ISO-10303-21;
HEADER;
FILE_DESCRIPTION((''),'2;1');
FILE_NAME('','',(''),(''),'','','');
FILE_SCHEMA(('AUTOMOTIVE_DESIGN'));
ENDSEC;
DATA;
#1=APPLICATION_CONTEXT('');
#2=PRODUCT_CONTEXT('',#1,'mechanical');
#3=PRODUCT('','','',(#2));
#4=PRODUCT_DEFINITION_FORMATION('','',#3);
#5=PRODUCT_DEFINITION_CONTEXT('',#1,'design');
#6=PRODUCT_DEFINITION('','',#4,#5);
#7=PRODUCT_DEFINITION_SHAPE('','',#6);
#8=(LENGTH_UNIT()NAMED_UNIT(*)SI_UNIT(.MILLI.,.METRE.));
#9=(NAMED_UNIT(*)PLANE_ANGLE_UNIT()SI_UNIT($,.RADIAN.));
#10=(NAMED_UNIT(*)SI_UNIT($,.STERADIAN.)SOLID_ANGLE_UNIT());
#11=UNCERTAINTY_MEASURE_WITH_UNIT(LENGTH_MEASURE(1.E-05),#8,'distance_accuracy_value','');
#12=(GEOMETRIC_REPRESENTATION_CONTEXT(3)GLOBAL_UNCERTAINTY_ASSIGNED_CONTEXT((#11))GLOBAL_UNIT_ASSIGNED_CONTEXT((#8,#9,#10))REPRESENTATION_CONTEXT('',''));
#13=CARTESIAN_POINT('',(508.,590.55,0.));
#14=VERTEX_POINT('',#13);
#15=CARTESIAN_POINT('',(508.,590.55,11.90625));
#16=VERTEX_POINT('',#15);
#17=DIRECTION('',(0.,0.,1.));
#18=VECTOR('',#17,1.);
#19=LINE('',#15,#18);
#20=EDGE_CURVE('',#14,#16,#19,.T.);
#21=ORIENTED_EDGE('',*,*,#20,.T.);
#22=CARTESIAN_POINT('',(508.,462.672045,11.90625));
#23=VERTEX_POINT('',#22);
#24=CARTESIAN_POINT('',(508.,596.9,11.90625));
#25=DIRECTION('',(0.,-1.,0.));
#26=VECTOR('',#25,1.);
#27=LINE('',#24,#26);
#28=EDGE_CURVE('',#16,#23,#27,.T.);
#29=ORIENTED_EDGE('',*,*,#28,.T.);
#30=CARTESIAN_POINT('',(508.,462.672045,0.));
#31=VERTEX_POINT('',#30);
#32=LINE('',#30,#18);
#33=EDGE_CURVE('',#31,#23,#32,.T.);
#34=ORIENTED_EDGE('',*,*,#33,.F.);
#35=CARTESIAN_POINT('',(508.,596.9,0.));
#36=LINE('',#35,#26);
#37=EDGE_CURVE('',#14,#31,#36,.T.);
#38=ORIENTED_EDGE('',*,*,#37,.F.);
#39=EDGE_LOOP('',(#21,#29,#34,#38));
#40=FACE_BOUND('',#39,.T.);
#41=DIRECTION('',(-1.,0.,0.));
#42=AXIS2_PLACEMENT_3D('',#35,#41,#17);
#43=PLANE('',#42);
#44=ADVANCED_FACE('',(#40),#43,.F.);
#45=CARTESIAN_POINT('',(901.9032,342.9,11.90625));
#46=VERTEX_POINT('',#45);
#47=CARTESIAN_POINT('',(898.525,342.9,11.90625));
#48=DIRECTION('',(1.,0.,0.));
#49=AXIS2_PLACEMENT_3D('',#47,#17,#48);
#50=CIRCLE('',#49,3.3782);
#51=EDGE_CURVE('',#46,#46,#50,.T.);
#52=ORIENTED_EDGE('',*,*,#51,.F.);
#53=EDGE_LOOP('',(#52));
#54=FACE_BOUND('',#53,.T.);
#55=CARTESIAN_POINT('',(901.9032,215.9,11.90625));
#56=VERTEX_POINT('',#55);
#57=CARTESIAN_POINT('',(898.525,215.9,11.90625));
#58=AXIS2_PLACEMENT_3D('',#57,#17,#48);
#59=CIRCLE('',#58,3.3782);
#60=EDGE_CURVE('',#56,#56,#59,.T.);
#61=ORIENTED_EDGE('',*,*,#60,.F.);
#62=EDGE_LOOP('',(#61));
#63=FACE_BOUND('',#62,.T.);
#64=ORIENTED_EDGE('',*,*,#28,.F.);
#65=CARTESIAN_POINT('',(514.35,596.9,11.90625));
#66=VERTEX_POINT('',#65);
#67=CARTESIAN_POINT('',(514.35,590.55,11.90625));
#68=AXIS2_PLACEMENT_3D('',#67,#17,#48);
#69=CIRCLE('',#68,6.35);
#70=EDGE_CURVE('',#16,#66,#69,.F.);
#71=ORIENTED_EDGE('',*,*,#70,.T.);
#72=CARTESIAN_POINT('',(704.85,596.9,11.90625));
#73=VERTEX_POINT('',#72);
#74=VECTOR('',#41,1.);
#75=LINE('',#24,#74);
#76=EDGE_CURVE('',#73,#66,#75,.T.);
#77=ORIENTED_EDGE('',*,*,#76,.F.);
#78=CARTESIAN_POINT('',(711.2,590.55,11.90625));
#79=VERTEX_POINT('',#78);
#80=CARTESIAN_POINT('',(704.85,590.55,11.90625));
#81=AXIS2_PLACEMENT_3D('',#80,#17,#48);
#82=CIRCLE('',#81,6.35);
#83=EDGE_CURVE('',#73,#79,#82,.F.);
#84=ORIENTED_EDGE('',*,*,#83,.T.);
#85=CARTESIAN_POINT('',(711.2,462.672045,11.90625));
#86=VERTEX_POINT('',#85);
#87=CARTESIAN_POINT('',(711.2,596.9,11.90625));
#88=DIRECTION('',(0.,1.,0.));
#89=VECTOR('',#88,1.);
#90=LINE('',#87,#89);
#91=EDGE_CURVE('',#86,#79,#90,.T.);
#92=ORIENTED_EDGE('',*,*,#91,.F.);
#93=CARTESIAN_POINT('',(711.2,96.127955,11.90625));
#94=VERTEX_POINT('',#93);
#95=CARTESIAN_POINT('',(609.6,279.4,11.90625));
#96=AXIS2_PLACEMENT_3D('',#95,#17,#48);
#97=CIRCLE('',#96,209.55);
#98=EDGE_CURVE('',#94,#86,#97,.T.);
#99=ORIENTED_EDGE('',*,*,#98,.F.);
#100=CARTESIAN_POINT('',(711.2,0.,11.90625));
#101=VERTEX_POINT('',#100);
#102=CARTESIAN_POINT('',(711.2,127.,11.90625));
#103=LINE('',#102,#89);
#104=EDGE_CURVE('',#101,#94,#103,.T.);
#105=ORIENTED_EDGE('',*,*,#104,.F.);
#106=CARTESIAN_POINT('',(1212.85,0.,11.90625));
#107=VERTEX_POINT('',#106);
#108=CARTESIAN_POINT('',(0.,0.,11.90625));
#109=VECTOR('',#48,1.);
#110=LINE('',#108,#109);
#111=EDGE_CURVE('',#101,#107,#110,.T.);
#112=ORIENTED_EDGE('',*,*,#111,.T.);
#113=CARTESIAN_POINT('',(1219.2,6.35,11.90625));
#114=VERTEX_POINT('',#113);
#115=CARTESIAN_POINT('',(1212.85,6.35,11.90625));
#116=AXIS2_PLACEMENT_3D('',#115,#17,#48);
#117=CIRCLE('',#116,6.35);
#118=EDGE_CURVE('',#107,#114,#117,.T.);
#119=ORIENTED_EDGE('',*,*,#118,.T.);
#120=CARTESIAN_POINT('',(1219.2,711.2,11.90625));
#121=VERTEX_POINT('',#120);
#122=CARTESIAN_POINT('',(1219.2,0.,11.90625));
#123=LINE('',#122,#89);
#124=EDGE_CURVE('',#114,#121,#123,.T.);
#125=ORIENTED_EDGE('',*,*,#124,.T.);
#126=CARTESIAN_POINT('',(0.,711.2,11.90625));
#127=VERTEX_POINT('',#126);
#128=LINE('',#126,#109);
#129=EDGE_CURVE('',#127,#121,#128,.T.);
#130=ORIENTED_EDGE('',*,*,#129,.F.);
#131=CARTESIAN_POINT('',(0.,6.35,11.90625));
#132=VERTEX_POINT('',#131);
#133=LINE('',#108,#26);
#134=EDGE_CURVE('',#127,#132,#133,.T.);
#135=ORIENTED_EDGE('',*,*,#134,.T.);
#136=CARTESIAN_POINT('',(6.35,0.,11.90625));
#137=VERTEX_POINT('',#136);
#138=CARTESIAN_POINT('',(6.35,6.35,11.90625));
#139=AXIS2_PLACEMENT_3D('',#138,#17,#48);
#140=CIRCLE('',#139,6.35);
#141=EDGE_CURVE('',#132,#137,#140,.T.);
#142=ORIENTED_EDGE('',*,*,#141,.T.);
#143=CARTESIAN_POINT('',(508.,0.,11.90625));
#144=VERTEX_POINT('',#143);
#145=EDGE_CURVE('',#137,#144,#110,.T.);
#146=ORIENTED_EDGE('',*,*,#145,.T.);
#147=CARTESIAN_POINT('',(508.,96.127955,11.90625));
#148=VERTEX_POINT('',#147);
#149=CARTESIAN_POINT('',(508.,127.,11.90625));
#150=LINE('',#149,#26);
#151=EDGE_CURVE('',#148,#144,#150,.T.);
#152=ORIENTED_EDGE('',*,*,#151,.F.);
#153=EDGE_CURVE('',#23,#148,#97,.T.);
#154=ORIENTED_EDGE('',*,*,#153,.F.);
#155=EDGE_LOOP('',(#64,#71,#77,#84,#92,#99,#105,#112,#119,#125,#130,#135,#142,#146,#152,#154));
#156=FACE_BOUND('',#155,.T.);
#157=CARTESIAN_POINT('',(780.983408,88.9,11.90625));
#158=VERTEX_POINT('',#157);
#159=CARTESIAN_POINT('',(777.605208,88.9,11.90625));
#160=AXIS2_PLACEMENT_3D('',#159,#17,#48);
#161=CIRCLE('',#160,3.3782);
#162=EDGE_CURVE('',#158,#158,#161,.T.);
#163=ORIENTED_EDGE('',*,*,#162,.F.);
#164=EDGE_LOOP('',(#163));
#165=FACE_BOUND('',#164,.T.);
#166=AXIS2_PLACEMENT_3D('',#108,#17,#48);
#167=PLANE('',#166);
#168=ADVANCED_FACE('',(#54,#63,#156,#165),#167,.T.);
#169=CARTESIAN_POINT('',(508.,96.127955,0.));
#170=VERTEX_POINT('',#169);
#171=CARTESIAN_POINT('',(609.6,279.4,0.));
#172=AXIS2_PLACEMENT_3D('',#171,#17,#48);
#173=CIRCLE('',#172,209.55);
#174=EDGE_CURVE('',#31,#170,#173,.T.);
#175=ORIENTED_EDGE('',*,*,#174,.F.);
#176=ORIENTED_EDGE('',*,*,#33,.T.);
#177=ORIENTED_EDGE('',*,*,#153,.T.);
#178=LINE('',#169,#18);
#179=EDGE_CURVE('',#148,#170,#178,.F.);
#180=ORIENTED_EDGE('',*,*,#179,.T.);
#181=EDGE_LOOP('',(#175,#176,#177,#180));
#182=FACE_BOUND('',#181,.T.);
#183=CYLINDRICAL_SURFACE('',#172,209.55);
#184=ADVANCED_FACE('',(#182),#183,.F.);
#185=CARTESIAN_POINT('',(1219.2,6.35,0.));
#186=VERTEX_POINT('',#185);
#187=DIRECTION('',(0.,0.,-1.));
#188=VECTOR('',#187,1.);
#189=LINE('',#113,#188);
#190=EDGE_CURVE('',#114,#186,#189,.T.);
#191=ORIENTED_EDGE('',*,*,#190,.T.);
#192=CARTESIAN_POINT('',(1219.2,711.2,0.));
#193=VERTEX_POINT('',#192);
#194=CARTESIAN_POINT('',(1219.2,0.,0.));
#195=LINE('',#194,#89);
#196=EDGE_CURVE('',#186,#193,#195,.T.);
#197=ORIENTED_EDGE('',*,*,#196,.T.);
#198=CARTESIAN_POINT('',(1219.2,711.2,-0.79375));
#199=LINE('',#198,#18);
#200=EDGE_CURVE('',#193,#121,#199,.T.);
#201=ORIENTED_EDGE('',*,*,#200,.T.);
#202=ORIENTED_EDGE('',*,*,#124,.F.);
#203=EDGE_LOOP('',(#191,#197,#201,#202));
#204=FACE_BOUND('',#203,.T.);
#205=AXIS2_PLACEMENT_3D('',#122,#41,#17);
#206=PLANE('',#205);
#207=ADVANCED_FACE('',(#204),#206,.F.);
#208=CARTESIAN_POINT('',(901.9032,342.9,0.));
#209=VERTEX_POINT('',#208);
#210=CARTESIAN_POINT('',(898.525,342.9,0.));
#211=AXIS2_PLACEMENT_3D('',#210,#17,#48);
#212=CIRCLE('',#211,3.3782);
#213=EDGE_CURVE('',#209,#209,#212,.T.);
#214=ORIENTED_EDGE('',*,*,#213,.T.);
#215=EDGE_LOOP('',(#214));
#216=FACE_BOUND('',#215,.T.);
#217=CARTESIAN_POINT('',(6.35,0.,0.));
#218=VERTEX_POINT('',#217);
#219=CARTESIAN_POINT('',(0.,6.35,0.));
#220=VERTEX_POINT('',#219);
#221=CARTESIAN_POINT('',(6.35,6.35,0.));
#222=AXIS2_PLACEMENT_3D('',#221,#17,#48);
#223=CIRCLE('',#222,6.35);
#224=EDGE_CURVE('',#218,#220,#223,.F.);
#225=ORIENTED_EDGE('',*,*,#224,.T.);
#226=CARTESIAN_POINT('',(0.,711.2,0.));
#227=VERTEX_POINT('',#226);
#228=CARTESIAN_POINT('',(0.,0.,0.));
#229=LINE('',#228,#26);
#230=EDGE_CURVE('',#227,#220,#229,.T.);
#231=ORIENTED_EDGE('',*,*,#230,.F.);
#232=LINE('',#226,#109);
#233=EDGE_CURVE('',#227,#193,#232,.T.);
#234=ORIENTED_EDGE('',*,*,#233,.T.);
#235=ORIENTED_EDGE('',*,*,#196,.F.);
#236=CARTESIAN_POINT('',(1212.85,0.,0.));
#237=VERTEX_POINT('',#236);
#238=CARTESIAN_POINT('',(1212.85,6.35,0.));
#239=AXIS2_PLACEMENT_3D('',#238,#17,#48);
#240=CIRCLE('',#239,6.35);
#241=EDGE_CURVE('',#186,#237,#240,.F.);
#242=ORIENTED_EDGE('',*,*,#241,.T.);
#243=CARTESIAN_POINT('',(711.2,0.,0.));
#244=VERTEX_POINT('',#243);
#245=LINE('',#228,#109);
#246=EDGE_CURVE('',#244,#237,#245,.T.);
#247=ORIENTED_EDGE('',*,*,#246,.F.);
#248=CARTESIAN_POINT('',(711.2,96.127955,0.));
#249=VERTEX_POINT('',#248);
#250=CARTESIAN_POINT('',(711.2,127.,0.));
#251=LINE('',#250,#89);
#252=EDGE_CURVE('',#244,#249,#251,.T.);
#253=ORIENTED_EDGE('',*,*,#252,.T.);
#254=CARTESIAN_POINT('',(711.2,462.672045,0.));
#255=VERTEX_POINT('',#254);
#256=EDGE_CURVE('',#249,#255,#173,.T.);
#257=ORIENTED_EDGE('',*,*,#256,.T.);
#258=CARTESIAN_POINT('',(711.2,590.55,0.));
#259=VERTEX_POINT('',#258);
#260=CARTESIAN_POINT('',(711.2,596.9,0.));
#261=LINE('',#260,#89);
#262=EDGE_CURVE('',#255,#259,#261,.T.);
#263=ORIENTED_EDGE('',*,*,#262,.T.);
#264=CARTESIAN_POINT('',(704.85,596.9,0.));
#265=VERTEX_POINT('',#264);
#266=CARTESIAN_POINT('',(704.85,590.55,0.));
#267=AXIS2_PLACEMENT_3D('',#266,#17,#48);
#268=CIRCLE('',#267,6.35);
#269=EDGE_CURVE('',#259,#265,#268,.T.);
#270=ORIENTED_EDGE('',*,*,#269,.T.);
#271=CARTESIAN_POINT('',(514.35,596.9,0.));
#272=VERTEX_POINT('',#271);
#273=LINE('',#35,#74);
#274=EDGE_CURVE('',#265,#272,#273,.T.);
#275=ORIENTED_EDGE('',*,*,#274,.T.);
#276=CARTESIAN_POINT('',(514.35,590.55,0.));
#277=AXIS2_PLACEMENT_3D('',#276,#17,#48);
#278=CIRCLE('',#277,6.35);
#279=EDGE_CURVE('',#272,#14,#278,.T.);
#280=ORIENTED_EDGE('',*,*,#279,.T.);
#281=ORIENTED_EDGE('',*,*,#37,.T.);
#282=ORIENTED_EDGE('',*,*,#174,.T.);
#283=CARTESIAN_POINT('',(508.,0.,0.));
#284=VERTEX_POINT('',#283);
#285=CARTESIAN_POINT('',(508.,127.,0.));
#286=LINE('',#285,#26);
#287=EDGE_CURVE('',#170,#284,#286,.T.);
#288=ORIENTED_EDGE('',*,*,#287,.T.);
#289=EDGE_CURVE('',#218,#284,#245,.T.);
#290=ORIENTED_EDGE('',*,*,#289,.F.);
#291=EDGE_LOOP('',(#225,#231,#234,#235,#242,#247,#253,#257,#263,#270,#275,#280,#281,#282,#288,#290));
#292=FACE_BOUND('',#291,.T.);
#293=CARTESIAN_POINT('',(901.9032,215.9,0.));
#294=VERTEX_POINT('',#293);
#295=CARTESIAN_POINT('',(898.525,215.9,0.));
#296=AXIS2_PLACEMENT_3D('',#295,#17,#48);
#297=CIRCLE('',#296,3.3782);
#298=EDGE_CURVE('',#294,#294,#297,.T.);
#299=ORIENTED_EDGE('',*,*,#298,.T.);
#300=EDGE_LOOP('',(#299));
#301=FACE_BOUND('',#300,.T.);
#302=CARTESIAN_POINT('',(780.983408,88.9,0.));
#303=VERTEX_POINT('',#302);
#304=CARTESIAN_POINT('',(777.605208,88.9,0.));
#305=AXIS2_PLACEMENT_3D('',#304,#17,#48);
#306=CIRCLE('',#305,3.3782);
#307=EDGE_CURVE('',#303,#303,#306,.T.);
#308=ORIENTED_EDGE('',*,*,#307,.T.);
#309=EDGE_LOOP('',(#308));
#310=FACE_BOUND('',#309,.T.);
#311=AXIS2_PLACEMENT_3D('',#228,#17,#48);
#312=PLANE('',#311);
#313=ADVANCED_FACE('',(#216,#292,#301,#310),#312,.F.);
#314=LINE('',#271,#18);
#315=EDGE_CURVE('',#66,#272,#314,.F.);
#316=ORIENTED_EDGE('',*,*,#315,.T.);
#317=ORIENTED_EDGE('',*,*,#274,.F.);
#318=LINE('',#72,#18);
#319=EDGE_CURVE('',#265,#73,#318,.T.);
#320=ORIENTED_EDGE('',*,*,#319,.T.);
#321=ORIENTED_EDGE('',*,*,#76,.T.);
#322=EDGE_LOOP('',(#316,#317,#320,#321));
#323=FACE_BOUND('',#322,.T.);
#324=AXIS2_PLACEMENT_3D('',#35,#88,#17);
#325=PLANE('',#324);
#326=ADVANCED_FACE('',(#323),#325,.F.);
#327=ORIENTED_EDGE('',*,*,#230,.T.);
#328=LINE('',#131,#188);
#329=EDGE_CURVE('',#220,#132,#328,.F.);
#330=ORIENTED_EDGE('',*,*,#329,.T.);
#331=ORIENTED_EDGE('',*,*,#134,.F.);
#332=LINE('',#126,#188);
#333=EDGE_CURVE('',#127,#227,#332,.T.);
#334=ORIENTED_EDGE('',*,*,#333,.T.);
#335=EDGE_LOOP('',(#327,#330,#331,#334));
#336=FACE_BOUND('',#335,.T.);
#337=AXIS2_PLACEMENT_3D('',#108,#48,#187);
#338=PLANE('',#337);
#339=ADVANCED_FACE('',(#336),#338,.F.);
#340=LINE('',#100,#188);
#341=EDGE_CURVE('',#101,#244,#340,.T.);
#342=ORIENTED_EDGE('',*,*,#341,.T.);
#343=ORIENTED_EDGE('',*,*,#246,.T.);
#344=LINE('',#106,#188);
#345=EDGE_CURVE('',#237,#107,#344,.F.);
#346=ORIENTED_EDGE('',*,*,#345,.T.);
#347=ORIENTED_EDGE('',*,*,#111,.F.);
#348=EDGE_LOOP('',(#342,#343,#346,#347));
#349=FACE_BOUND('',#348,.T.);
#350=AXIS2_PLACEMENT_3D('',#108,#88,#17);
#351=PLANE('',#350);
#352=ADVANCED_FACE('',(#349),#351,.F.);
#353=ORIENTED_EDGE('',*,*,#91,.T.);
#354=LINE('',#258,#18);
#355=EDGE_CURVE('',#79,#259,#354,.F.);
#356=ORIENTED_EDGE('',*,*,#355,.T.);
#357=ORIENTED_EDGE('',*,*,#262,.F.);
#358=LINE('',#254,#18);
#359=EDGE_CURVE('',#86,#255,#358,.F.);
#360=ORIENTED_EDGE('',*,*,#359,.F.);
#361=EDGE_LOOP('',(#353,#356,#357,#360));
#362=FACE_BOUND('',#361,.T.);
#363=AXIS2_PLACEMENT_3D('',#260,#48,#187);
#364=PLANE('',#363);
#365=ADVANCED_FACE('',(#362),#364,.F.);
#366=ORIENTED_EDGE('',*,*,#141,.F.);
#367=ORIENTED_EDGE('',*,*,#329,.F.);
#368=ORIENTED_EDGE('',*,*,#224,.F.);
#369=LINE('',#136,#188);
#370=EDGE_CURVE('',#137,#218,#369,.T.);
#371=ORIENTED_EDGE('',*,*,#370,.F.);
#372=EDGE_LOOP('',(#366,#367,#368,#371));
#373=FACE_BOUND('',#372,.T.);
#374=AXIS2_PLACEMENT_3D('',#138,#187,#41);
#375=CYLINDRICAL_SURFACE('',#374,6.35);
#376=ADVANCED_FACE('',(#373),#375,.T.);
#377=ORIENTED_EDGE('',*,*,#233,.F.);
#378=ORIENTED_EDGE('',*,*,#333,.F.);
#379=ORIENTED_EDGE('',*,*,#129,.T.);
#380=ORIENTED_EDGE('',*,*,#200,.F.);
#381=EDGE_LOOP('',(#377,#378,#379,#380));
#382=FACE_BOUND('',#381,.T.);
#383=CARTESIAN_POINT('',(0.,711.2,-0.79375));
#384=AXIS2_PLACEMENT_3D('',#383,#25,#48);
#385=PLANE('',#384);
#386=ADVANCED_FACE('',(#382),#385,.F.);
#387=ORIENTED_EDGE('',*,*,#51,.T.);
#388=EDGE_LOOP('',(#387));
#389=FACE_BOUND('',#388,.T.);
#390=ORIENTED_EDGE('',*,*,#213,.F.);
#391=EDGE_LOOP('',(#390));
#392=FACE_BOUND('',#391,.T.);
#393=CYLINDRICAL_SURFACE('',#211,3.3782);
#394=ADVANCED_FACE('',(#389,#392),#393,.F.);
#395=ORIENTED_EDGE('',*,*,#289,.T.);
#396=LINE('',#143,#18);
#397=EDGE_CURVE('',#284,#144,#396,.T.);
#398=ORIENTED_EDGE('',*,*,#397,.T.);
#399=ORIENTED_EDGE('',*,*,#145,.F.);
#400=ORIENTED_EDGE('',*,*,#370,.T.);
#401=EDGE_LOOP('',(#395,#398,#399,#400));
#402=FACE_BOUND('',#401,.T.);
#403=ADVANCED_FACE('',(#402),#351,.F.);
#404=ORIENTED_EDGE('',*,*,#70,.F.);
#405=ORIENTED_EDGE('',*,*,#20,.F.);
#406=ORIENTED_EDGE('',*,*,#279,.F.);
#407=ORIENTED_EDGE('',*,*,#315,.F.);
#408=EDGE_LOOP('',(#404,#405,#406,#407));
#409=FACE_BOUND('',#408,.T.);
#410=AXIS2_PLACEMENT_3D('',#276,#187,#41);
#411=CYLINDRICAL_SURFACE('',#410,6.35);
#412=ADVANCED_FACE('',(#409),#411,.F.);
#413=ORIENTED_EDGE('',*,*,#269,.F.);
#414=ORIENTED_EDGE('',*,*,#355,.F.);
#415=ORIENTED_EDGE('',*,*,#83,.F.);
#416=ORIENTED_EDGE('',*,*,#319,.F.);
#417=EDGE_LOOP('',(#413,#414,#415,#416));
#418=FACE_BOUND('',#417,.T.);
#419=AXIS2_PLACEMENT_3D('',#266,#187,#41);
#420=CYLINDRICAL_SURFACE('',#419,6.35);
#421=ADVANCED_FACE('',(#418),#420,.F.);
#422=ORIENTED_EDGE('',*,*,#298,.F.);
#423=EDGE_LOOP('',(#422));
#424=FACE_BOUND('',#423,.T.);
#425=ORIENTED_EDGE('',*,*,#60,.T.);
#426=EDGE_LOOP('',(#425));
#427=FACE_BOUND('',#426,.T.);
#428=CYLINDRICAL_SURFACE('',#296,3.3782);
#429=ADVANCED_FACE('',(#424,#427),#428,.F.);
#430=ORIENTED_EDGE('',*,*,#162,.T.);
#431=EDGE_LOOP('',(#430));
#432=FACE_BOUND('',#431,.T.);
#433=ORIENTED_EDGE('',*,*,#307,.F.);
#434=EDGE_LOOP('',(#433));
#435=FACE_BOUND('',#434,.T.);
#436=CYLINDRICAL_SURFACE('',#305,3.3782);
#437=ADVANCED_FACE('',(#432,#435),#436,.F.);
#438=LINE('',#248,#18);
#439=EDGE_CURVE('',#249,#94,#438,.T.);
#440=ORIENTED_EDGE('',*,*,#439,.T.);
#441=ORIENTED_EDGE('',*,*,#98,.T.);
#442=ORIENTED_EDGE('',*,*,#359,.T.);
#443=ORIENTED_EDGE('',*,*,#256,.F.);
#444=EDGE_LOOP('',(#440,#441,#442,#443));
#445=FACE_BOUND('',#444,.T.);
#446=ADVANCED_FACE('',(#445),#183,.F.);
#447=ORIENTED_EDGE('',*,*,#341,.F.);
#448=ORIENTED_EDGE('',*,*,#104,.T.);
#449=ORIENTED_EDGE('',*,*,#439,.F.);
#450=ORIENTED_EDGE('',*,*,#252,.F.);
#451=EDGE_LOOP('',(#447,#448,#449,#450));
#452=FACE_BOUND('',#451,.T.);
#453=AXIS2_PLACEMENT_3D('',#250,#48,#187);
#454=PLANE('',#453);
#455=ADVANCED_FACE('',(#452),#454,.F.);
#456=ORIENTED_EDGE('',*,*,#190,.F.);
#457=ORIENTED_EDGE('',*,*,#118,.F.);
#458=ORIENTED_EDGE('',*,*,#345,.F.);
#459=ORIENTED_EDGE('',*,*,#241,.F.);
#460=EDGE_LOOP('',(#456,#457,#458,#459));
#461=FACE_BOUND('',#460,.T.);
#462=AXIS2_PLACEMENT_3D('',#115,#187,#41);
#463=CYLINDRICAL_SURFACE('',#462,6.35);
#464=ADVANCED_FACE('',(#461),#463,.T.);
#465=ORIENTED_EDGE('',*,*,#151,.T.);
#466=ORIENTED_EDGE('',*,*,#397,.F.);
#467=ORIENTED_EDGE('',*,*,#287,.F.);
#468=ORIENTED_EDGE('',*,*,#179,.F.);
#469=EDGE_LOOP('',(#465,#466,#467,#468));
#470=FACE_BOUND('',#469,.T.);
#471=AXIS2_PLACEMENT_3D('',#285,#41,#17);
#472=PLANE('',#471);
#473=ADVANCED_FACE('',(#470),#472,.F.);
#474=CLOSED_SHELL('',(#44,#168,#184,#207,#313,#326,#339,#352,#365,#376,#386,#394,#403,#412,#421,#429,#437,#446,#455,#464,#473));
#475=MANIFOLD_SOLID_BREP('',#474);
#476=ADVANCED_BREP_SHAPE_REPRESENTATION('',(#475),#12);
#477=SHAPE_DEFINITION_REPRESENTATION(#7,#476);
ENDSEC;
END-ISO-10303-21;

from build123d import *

# Parameters (mm, degrees)
SKETCH1_W           = 1219.2
SKETCH1_H           = 1778
SKETCH1_R           = 254
SKETCH1_W_2         = 361.95
SKETCH1_H_2         = 361.95
BOSS_EXTRUDE1_DEPTH = 11.90625
SKETCH3_R           = 209.55
CUT_EXTRUDE2_DEPTH  = 12.90625
SKETCH2_W           = 203.2
SKETCH2_H           = 165.1
CUT_EXTRUDE1_DEPTH  = 12.90625
SKETCH5_R           = 3.429
CUT_EXTRUDE4_DEPTH  = 12.90625
LPATTERN2_COUNT     = 3
LPATTERN2_PITCH     = 301.625
SKETCH7_R           = 3.3782
CUT_EXTRUDE6_DEPTH  = 12.90625
SKETCH12_R          = 4.7625
CUT_EXTRUDE7_DEPTH  = 12.90625
SKETCH16_R          = 4.7625
CUT_EXTRUDE10_DEPTH = 12.90625
FILLET2_R           = 6.35
SKETCH19_W          = 1219.2
SKETCH19_H          = 1066.8
CUT_EXTRUDE13_DEPTH = 12.7


with BuildPart() as part:
    # Sketch1 → Boss-Extrude1 (new body)
    with BuildSketch(Plane.XY):
        with Locations((609.6, 889)):
            Rectangle(SKETCH1_W, SKETCH1_H)
        with Locations((330.2, 1473.2)):
            Circle(SKETCH1_R, mode=Mode.SUBTRACT)
        with Locations((609.6, 917.575)):
            Rectangle(SKETCH1_W_2, SKETCH1_H_2, mode=Mode.SUBTRACT)
    extrude(amount=BOSS_EXTRUDE1_DEPTH)

    # Sketch3 → Cut-Extrude2 (cut, through all)
    with BuildSketch(Plane.XY.offset(11.90625)):
        with Locations((609.6, 279.4)):
            Circle(SKETCH3_R)
    extrude(amount=-CUT_EXTRUDE2_DEPTH, mode=Mode.SUBTRACT)

    # Sketch2 → Cut-Extrude1 (cut, through all)
    with BuildSketch(Plane.XY.offset(11.90625)):
        with Locations((609.6, 44.45)):
            Rectangle(SKETCH2_W, SKETCH2_H)
        with Locations((609.6, 514.35)):
            Rectangle(SKETCH2_W, SKETCH2_H)
    extrude(amount=-CUT_EXTRUDE1_DEPTH, mode=Mode.SUBTRACT)

    # Sketch5 → Cut-Extrude4 (cut, through all)
    with BuildSketch(Plane.XY.offset(11.90625)):
        with Locations((609.6, 1714.5)):
            Circle(SKETCH5_R)
    cut_extrude4 = extrude(amount=-CUT_EXTRUDE4_DEPTH, mode=Mode.SUBTRACT)

    # LPattern2: Cut-Extrude4 ×3
    with Locations(*[(0, -i * LPATTERN2_PITCH, 0) for i in range(1, LPATTERN2_COUNT)]):
        add(cut_extrude4, mode=Mode.SUBTRACT)

    # Sketch7 → Cut-Extrude6 (cut, through all)
    with BuildSketch(Plane.XY.offset(11.90625)):
        with Locations((777.605208253, 88.9)):
            Circle(SKETCH7_R)
        with Locations((898.525, 342.9)):
            Circle(SKETCH7_R)
        with Locations((898.525, 215.9)):
            Circle(SKETCH7_R)
    extrude(amount=-CUT_EXTRUDE6_DEPTH, mode=Mode.SUBTRACT)

    # Sketch12 → Cut-Extrude7 (cut, through all)
    with BuildSketch(Plane.XY.offset(11.90625)):
        with Locations((203.2, 1727.2)):
            Circle(SKETCH12_R)
        with Locations((1016, 1727.2)):
            Circle(SKETCH12_R)
    extrude(amount=-CUT_EXTRUDE7_DEPTH, mode=Mode.SUBTRACT)

    # Sketch16 → Cut-Extrude10 (cut, through all)
    with BuildSketch(Plane.XY.offset(11.90625)):
        with Locations((419.1, 1054.1)):
            Circle(SKETCH16_R)
        with Locations((419.1, 787.4)):
            Circle(SKETCH16_R)
        with Locations((800.1, 1054.1)):
            Circle(SKETCH16_R)
        with Locations((800.1, 787.4)):
            Circle(SKETCH16_R)
    extrude(amount=-CUT_EXTRUDE10_DEPTH, mode=Mode.SUBTRACT)

    # Fillet2
    fillet2_edges = [part.edges().sort_by_distance(p)[0] for p in [
        (428.625, 1098.55, 5.953125),
        (428.625, 736.6, 5.953125),
        (790.575, 736.6, 5.953125),
        (790.575, 1098.55, 5.953125),
        (711.2, 596.9, 5.953125),
        (508, 596.9, 5.953125),
        (0, 0, 5.953125),
        (1219.2, 0, 5.953125),
    ]]
    fillet(fillet2_edges, radius=FILLET2_R)

    # Sketch19 → Cut-Extrude13 (cut)
    with BuildSketch(Plane.XY.offset(11.90625)):
        with Locations((609.6, 1244.6)):
            Rectangle(SKETCH19_W, SKETCH19_H)
    extrude(amount=-CUT_EXTRUDE13_DEPTH, mode=Mode.SUBTRACT)


solid = part.part
